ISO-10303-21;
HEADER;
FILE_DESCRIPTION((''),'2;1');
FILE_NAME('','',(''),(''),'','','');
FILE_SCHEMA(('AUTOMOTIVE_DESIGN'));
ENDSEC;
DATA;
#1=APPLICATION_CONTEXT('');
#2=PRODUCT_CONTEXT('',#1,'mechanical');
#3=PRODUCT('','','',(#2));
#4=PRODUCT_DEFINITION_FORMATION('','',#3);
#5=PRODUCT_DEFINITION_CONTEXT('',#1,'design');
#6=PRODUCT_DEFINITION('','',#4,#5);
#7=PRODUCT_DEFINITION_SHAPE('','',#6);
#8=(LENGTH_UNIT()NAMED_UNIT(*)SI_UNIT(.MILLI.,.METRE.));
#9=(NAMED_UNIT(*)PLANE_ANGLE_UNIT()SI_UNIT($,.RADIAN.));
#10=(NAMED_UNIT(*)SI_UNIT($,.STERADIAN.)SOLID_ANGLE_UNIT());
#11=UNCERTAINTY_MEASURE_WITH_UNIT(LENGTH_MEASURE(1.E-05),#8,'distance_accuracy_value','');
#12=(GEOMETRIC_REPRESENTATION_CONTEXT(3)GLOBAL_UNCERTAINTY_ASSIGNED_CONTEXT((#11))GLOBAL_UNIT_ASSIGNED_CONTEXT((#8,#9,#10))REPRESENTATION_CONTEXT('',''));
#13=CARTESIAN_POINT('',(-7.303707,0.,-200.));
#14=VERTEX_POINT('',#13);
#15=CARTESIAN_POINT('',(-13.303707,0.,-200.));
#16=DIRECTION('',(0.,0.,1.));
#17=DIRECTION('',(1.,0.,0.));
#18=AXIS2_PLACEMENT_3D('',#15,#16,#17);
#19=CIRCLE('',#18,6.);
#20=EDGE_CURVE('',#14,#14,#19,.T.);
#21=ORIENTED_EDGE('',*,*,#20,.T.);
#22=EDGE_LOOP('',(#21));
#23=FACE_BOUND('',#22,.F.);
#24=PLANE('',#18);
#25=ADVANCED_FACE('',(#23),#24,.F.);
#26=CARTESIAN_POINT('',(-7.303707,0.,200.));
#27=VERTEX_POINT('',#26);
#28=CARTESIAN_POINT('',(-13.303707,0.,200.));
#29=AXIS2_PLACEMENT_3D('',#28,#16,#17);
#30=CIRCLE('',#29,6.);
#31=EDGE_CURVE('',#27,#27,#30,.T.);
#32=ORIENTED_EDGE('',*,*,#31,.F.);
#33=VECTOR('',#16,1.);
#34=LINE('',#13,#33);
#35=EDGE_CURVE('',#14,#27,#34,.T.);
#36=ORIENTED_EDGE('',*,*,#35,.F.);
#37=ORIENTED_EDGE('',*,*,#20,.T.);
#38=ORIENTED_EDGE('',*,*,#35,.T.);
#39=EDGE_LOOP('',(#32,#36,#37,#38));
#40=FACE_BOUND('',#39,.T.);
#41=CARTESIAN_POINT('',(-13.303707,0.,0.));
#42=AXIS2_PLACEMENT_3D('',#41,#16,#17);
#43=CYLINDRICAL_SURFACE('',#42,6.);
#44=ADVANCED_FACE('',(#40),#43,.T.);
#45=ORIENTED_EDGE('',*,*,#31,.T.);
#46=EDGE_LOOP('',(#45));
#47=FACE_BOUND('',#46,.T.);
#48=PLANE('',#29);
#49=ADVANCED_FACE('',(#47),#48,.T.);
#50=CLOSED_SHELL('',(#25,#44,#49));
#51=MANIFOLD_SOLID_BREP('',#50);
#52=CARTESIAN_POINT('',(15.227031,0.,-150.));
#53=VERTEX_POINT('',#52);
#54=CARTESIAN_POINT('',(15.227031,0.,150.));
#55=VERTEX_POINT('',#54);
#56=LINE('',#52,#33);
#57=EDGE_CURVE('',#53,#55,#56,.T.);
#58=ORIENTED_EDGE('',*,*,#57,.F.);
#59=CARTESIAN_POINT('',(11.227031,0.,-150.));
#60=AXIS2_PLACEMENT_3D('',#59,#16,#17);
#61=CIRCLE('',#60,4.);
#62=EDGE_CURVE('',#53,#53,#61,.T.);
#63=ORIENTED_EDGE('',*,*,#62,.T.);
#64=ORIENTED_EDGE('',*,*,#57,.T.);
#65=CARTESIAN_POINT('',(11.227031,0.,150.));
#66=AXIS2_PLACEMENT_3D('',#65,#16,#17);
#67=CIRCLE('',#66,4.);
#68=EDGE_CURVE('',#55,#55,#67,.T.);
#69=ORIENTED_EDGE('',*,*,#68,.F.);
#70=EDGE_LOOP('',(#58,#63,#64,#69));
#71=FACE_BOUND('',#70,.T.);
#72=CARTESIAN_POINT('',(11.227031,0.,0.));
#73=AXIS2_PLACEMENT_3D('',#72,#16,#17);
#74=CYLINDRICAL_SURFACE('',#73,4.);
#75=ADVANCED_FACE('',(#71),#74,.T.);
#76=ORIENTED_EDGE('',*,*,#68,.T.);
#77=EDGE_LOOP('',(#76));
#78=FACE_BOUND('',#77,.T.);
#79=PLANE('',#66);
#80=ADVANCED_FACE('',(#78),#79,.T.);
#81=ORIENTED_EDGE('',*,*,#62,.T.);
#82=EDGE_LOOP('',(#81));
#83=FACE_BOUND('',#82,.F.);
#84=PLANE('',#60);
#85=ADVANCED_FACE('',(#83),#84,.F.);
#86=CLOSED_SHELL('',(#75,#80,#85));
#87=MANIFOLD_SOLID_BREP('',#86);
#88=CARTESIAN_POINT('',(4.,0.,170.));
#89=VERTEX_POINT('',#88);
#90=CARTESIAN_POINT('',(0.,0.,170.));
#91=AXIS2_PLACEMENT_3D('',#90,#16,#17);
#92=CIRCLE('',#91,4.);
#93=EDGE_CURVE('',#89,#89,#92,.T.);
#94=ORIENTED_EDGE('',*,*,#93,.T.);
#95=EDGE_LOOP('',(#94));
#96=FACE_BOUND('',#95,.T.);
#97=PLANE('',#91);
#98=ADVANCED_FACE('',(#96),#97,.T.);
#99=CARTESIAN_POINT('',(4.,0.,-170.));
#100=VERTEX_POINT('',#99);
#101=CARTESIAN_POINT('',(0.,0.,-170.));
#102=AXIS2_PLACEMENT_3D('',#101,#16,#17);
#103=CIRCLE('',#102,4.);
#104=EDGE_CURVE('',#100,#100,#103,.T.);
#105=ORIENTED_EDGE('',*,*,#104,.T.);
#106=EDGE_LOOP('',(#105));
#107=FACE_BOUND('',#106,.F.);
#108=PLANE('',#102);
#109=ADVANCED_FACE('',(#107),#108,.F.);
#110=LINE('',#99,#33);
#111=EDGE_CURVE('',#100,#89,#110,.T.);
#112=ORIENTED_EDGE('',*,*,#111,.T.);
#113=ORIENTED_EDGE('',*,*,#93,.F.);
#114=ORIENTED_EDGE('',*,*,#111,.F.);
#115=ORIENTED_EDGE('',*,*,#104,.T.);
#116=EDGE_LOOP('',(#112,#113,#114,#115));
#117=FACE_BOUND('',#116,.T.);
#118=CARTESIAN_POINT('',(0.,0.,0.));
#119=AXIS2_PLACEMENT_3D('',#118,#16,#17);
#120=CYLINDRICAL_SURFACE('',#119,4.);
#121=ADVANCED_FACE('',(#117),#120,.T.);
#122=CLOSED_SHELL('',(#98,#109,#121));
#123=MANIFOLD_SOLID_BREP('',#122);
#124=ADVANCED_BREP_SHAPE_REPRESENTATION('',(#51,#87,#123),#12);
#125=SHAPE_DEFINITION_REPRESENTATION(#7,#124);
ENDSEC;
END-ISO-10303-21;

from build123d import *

# Parameters (mm, degrees)
F0_R     = 6
F1_DEPTH = 200
F0_R_2   = 4
F2_DEPTH = 170
F3_DEPTH = 150


with BuildPart() as f1:
    # F0 (on Top) → F1 (new body, symmetric)
    with BuildSketch(Plane.XY):
        with Locations((-13.3037072906, 0)):
            Circle(F0_R)
    extrude(amount=F1_DEPTH, both=True)


with BuildPart() as f2:
    # F0 (on Top) → F2 (new body, symmetric)
    with BuildSketch(Plane.XY):
        Circle(F0_R_2)
    extrude(amount=F2_DEPTH, both=True)


with BuildPart() as f3:
    # F0 (on Top) → F3 (new body, symmetric)
    with BuildSketch(Plane.XY):
        with Locations((11.2270306294, 0)):
            Circle(F0_R_2)
    extrude(amount=F3_DEPTH, both=True)


solid = Compound([f1.part, f2.part, f3.part])
